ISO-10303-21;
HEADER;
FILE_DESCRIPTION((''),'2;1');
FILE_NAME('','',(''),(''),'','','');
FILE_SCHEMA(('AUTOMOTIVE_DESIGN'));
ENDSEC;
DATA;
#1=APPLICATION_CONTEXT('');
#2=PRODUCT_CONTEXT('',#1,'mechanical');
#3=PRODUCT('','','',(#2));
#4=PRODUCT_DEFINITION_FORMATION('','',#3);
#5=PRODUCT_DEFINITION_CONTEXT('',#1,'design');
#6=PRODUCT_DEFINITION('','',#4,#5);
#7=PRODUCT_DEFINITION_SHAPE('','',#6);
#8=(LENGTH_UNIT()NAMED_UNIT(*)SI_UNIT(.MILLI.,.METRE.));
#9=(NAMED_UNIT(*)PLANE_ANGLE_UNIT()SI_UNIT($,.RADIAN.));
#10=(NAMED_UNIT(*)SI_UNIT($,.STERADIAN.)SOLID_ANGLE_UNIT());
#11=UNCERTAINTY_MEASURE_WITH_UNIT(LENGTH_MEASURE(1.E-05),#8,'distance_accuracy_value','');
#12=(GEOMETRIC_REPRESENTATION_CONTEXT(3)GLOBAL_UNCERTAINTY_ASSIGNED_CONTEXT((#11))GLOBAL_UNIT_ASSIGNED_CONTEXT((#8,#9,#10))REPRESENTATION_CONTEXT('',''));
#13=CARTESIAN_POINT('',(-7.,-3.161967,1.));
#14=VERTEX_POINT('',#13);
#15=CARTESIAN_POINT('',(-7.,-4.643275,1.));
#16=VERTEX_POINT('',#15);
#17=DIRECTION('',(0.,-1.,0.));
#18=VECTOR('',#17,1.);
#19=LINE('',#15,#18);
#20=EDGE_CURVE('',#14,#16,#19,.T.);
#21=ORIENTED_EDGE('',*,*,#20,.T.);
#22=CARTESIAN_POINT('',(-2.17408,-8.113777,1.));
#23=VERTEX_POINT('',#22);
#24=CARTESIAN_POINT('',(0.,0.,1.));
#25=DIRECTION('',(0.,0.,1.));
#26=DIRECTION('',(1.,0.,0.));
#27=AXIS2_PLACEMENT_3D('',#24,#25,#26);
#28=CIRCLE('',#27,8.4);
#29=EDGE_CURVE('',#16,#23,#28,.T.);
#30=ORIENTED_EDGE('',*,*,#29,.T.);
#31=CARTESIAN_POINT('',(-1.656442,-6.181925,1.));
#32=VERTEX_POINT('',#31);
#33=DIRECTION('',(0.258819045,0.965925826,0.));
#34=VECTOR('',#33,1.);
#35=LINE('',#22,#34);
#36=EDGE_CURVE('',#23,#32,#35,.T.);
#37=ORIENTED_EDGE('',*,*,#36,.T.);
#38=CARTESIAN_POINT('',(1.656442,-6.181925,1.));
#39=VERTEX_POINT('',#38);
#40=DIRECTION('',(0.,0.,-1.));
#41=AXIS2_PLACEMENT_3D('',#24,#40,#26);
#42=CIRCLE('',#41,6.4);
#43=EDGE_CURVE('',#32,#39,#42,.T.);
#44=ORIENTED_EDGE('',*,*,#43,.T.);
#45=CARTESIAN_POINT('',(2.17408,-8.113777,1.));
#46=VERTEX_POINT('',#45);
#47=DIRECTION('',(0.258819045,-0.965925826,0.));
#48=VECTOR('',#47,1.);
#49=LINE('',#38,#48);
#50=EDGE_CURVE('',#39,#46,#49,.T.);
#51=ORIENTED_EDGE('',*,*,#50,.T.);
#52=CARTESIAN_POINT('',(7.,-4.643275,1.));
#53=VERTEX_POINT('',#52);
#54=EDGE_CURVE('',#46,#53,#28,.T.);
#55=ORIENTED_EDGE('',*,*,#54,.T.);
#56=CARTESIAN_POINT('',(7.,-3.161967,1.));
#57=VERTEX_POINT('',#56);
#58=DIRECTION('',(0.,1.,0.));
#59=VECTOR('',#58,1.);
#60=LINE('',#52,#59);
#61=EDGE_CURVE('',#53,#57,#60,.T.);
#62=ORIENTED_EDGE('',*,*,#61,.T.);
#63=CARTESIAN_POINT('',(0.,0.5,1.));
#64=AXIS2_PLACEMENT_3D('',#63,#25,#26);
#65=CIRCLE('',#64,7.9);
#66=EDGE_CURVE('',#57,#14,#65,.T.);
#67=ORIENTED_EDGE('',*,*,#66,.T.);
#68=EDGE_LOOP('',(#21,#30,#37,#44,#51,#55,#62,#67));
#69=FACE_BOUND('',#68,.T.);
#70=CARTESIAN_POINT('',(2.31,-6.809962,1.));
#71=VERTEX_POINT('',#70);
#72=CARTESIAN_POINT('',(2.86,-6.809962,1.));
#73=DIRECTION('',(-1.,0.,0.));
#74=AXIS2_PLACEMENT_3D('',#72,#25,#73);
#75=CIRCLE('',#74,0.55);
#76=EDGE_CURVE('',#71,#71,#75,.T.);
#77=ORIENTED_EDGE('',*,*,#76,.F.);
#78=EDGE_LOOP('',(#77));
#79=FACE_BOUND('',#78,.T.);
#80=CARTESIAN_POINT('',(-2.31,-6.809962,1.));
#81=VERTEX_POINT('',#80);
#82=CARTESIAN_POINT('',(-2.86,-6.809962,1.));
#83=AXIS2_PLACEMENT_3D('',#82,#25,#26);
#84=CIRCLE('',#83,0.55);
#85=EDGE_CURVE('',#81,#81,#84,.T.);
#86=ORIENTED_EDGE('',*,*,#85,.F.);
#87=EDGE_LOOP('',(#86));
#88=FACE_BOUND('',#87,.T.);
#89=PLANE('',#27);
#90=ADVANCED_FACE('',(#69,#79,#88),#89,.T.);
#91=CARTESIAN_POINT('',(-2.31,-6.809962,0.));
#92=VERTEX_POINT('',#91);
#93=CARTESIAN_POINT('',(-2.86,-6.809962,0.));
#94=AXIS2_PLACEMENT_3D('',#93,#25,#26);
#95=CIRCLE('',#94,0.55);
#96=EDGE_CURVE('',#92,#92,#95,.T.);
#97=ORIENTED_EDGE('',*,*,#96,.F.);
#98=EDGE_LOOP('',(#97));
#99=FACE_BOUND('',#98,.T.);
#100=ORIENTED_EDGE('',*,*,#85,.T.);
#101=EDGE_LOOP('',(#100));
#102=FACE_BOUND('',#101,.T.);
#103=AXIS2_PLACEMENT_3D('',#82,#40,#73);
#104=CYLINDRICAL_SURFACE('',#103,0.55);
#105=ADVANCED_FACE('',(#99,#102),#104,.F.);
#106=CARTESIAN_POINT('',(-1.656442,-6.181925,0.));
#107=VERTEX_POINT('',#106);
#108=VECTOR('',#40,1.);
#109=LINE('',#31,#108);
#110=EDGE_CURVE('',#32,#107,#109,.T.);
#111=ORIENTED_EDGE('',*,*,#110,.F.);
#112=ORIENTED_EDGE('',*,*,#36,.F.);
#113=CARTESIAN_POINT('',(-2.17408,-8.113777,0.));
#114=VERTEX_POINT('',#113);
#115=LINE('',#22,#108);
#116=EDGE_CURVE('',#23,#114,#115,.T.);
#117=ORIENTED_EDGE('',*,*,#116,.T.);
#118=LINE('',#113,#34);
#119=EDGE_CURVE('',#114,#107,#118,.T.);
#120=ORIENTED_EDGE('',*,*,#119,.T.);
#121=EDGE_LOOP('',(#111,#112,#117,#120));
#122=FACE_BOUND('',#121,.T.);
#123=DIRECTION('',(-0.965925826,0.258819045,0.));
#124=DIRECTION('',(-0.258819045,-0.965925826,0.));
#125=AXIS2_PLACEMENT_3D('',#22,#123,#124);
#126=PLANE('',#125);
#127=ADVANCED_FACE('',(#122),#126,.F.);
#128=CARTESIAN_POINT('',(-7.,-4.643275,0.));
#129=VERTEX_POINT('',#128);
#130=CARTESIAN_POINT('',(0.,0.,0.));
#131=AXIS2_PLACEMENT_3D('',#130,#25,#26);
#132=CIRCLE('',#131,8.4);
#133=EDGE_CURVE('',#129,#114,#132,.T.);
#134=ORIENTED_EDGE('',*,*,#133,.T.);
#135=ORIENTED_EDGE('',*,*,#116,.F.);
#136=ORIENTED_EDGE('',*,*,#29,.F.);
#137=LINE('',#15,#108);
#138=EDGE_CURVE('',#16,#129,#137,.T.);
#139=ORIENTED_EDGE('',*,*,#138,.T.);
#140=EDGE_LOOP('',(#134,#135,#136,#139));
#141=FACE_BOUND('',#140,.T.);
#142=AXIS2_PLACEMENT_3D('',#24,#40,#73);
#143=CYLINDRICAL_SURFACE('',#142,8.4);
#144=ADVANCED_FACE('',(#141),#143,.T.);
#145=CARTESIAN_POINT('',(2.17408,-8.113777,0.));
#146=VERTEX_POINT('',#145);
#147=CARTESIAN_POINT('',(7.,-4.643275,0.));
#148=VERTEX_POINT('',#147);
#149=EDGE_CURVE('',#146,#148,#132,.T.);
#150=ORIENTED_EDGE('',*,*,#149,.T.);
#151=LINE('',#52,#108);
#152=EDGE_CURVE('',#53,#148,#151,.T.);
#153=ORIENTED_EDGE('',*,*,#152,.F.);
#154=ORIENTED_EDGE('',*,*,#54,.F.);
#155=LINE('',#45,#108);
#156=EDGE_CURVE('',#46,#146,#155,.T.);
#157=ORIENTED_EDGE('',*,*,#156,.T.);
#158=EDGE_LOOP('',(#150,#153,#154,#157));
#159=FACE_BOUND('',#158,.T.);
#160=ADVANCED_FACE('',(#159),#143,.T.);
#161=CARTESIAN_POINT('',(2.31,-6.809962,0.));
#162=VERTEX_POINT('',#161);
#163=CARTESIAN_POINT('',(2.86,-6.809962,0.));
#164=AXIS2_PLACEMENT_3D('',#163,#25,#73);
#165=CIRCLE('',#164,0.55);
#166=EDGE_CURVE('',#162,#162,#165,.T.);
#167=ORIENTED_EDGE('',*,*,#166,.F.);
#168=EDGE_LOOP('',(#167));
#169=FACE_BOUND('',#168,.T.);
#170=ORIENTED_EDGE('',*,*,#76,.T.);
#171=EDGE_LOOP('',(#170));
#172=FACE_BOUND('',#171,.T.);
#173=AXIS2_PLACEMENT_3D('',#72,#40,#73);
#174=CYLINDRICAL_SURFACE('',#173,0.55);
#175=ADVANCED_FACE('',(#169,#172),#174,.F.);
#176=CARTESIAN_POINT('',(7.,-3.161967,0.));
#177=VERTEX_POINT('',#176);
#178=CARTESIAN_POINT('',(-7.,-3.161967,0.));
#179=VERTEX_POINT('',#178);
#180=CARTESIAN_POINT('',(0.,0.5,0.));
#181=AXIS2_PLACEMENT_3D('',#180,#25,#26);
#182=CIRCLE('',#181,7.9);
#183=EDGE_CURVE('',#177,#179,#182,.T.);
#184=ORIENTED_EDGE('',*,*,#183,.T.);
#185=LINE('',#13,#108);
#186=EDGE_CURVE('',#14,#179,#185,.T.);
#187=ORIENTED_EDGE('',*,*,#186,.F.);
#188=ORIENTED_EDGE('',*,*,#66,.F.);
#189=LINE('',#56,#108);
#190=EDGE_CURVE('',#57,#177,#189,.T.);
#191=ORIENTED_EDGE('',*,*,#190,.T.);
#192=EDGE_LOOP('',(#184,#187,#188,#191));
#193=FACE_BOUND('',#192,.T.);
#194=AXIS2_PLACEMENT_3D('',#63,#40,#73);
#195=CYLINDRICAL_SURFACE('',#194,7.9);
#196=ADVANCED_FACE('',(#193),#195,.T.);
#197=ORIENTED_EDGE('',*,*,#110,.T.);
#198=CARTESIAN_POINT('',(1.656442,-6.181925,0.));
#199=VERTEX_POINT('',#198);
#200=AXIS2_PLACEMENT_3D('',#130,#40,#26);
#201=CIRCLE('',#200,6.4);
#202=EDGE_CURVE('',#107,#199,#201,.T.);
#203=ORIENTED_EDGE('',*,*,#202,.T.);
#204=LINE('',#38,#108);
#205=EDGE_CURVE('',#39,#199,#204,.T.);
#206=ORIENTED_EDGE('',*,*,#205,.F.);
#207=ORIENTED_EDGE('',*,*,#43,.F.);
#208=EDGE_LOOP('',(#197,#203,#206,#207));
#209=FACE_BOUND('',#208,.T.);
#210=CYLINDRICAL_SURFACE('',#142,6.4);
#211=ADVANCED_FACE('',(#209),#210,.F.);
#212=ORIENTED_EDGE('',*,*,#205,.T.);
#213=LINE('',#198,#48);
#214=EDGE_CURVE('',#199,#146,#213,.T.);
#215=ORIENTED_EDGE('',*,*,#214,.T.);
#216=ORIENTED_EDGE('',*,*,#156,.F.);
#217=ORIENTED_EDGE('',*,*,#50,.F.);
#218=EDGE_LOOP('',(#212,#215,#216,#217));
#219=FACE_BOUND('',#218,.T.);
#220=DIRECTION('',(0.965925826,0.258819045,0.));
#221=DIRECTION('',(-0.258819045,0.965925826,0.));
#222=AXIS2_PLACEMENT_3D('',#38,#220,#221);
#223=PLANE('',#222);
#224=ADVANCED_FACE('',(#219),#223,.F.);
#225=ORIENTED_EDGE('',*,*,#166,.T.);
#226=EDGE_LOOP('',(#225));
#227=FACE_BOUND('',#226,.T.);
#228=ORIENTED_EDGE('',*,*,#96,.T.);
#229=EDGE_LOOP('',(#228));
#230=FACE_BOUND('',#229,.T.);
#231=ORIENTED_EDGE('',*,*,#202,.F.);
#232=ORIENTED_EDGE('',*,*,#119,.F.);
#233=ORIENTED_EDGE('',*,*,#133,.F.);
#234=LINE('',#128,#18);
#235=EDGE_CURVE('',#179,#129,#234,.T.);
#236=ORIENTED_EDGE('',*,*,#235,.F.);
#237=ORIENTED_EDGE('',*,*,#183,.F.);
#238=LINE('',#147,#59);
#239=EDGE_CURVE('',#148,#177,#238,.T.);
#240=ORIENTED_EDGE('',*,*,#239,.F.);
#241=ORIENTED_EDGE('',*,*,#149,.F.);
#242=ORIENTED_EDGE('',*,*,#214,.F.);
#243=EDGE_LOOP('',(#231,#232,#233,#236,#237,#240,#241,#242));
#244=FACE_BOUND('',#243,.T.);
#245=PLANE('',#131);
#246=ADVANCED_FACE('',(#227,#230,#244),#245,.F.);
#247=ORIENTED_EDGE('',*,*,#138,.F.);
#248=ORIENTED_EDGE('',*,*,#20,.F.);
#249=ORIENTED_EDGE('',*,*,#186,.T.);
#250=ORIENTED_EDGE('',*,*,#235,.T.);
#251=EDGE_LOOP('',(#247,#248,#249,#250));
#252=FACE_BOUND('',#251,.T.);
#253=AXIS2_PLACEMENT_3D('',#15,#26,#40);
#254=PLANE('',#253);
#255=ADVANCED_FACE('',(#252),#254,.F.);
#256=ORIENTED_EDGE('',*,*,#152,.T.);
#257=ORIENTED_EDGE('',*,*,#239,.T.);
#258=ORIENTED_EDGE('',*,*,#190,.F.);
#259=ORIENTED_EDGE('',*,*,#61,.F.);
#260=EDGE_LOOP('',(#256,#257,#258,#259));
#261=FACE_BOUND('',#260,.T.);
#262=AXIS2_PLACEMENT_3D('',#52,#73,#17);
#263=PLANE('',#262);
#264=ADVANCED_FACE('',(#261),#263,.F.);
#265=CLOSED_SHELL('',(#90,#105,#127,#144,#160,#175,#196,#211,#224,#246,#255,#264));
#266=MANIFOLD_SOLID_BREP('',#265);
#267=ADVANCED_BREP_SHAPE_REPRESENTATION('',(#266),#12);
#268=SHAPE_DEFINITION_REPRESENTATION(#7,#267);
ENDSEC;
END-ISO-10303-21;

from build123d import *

# Parameters (mm, degrees)
SKETCH1_R      = 0.55
EXTRUDE1_DEPTH = 1


with BuildPart() as part:
    # Sketch1 → Extrude1 (new body)
    with BuildSketch(Plane.XY):
        with BuildLine():
            Line((1.656441889, -6.181925288), (2.174079979, -8.113776941))
            ThreePointArc((2.174079979, -8.113776941), (4.904287135, -6.819675043), (7, -4.643274706))
            Line((7, -4.643274706), (7, -3.161966685))
            ThreePointArc((7, -3.161966685), (0, 8.4), (-7, -3.161966685))
            Line((-7, -3.161966685), (-7, -4.643274706))
            ThreePointArc((-7, -4.643274706), (-4.904287135, -6.819675043), (-2.174079979, -8.113776941))
            Line((-2.174079979, -8.113776941), (-1.656441889, -6.181925288))
            ThreePointArc((-1.656441889, -6.181925288), (0, 6.4), (1.656441889, -6.181925288))
        make_face()
        with Locations((-2.86, -6.809962004)):
            Circle(SKETCH1_R, mode=Mode.SUBTRACT)
        with Locations(Location((2.86, -6.809962004, 0), (0, 0, 180))):
            Circle(SKETCH1_R, mode=Mode.SUBTRACT)
    extrude(amount=EXTRUDE1_DEPTH)


solid = part.part
